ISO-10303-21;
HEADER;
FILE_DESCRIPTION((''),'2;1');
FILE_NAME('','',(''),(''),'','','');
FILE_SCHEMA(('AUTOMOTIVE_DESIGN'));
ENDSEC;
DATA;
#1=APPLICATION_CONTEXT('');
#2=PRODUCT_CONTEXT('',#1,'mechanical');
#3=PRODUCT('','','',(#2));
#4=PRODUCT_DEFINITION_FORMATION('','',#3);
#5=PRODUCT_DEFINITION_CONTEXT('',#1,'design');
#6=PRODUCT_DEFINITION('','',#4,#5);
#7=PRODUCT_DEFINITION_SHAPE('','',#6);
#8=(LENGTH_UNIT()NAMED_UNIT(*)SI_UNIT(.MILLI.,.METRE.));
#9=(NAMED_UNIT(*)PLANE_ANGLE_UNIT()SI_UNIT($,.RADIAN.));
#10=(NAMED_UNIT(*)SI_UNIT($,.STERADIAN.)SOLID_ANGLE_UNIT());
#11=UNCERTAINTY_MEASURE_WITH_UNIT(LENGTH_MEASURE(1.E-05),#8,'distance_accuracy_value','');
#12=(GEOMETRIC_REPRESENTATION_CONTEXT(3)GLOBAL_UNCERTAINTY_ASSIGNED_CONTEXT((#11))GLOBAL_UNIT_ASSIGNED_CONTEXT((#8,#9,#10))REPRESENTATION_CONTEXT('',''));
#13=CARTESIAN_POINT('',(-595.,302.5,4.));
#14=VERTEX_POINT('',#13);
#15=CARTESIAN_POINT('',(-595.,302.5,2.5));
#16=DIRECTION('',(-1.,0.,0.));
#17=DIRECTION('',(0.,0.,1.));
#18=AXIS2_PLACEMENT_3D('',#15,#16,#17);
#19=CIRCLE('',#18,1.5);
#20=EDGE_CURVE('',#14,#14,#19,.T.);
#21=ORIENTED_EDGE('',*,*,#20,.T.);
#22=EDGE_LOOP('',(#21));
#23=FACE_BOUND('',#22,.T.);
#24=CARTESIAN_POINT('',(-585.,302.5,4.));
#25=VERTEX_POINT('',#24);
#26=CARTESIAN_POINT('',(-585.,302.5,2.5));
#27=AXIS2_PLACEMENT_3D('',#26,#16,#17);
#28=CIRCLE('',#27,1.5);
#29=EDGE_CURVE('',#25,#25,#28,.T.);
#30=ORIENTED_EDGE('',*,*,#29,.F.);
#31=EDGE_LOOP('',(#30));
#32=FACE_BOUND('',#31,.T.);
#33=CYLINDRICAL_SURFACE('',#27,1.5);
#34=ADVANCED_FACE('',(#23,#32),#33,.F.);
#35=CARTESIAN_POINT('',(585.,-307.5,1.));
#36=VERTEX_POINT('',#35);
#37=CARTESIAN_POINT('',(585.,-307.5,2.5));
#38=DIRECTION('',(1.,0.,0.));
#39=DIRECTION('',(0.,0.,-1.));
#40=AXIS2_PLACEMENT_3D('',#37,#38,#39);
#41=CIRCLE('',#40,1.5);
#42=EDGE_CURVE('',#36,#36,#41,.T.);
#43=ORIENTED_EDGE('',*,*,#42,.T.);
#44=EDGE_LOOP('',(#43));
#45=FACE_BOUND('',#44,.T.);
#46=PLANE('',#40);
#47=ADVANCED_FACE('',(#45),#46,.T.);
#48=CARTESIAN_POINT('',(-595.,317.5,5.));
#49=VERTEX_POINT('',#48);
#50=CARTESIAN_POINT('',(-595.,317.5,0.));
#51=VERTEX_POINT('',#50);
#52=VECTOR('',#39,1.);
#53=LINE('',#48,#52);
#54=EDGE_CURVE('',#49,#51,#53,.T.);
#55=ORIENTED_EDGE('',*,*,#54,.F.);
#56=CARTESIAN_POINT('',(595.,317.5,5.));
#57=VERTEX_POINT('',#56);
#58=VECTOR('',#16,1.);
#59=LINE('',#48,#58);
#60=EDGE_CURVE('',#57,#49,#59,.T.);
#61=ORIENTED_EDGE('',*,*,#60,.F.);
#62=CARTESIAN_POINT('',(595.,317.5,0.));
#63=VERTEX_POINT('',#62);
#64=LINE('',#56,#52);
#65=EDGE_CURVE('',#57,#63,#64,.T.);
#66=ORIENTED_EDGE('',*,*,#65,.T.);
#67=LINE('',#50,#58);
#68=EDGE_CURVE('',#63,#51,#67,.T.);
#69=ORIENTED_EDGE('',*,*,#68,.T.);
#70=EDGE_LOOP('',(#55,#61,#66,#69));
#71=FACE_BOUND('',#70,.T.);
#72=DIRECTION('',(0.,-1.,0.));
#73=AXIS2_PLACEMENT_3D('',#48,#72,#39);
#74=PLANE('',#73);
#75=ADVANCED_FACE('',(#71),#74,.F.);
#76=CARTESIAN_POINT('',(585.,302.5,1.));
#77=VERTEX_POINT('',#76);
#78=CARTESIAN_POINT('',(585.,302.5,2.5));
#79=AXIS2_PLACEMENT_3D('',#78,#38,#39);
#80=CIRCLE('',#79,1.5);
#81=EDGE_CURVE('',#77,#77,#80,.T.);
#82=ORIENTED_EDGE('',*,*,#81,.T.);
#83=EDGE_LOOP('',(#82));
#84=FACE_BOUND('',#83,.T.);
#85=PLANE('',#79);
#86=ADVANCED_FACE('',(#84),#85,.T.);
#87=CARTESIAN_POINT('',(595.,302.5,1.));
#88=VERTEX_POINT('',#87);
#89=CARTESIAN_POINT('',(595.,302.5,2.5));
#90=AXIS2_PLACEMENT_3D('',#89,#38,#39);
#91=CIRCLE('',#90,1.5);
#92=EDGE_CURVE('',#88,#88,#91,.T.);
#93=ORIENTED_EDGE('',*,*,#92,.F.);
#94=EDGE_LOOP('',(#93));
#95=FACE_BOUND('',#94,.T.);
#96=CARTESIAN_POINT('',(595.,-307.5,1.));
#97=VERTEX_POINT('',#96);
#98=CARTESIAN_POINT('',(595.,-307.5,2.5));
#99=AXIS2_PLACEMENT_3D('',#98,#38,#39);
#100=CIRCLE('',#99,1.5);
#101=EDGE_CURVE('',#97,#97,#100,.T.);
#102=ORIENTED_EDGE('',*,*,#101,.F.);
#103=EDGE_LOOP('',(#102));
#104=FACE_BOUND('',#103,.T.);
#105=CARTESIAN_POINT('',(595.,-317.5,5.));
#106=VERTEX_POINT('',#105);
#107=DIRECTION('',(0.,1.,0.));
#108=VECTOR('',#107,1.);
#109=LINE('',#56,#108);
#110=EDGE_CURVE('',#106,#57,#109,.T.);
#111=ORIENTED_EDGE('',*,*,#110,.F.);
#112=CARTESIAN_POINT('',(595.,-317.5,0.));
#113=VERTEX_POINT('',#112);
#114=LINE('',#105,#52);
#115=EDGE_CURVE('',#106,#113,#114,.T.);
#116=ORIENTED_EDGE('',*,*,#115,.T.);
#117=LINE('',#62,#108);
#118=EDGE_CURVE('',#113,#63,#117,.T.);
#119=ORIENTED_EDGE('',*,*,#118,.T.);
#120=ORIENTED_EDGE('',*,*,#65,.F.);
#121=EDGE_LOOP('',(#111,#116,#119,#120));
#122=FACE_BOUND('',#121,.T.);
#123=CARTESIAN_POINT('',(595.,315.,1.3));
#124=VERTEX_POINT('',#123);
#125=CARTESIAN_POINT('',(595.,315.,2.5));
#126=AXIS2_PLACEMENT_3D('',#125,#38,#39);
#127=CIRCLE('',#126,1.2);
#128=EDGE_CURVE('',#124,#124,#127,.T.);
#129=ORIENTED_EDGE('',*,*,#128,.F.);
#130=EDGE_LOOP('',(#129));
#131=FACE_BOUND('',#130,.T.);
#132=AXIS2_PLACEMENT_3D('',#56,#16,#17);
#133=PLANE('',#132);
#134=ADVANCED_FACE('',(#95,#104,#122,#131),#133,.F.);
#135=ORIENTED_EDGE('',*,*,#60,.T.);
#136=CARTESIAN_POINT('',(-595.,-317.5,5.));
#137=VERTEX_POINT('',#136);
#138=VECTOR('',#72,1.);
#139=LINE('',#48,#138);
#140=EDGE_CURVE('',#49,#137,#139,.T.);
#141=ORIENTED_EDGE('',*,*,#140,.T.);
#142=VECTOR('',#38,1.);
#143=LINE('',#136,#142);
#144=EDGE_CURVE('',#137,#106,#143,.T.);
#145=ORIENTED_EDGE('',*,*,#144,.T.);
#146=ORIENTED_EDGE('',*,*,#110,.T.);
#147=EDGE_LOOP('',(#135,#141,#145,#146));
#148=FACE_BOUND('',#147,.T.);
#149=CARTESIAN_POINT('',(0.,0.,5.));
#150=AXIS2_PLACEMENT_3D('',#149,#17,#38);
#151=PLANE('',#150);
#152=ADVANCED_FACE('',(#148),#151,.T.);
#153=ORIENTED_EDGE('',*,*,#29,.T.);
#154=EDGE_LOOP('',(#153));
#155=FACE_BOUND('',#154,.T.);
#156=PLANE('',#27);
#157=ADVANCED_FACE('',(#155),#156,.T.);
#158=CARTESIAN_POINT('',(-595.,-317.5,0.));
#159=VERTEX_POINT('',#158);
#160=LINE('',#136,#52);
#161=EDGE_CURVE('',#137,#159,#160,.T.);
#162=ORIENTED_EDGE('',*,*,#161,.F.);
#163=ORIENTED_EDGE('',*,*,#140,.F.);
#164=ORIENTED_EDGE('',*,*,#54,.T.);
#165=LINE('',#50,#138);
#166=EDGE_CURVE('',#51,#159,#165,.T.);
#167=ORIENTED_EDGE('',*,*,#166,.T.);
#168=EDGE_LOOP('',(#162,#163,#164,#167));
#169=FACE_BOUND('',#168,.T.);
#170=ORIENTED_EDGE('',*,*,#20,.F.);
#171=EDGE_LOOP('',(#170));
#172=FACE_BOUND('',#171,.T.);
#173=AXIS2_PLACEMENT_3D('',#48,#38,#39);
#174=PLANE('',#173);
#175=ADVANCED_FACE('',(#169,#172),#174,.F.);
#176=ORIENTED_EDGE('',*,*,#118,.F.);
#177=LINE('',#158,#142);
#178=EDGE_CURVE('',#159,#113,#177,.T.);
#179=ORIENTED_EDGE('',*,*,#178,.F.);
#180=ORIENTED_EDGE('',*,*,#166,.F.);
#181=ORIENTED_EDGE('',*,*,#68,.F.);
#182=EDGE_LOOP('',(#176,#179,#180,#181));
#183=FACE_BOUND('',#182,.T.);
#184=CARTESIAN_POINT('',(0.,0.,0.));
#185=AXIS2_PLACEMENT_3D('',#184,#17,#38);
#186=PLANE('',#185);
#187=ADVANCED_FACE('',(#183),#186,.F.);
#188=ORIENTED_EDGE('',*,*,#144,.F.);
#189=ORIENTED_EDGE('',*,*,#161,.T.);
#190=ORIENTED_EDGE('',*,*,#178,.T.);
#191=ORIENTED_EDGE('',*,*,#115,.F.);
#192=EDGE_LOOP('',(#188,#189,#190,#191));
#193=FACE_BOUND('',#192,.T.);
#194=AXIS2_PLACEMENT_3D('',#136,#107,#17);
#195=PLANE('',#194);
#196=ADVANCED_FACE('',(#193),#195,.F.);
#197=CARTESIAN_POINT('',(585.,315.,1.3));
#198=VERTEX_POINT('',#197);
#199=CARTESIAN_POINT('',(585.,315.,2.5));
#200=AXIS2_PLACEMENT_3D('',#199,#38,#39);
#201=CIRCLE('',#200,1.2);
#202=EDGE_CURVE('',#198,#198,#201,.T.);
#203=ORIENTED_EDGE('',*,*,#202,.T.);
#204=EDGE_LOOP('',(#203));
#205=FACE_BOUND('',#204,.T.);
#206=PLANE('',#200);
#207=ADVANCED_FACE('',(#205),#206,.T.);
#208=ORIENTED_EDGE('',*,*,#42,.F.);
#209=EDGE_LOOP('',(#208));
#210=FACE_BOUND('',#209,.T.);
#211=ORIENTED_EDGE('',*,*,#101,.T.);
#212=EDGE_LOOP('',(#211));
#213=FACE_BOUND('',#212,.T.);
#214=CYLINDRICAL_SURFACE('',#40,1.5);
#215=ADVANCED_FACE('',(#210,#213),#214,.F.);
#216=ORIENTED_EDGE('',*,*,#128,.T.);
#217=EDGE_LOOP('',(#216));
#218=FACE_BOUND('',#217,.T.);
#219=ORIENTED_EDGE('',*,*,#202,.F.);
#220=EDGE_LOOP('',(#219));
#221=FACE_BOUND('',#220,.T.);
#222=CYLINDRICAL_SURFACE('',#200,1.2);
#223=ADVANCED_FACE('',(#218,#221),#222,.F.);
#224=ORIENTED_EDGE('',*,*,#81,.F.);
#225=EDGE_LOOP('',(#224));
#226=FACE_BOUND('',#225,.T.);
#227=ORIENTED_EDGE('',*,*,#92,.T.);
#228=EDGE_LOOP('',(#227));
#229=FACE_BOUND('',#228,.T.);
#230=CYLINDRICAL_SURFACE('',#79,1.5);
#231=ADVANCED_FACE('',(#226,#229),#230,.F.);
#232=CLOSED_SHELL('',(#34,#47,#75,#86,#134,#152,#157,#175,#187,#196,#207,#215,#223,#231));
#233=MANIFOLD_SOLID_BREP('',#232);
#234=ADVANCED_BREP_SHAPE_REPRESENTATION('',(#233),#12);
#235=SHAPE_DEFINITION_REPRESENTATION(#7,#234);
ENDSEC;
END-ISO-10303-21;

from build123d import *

# Parameters (mm, degrees)
SKETCH1_W           = 1190
SKETCH1_H           = 635
BOSS_EXTRUDE1_DEPTH = 5
SKETCH2_R           = 1.2
SKETCH2_R_2         = 1.5
CUT_EXTRUDE1_DEPTH  = 10
CUT_EXTRUDE2_START  = -10
SKETCH4_R           = 1.5
CUT_EXTRUDE2_DEPTH  = 10
SKETCH5_R           = 1.2
CUT_EXTRUDE3_DEPTH  = 10


with BuildPart() as part:
    # Sketch1 → Boss-Extrude1 (new body)
    with BuildSketch(Plane.XY):
        Rectangle(SKETCH1_W, SKETCH1_H)
    extrude(amount=BOSS_EXTRUDE1_DEPTH)

    # Sketch2 → Cut-Extrude1 (cut)
    with BuildSketch(Plane.ZY.offset(595)):
        with Locations((2.5, -320)):
            Circle(SKETCH2_R)
        with Locations((2.5, 302.5)):
            Circle(SKETCH2_R_2)
    extrude(amount=-CUT_EXTRUDE1_DEPTH, mode=Mode.SUBTRACT)

    # Sketch4 → Cut-Extrude2 (cut)
    with BuildSketch(Plane(origin=(595, 0, 0), x_dir=(0, 0, -1), z_dir=(1, 0, 0)).offset(CUT_EXTRUDE2_START)):
        with Locations(Location((-2.5, 302.5, 0), (0, 0, 180))):
            Circle(SKETCH4_R)
        with Locations((-2.5, -307.5)):
            Circle(SKETCH4_R)
    extrude(amount=CUT_EXTRUDE2_DEPTH, mode=Mode.SUBTRACT)

    # Sketch5 → Cut-Extrude3 (cut)
    with BuildSketch(Plane(origin=(595, 0, 0), x_dir=(0, 0, -1), z_dir=(1, 0, 0))):
        with Locations((-2.5, 315)):
            Circle(SKETCH5_R)
    extrude(amount=-CUT_EXTRUDE3_DEPTH, mode=Mode.SUBTRACT)


solid = part.part
